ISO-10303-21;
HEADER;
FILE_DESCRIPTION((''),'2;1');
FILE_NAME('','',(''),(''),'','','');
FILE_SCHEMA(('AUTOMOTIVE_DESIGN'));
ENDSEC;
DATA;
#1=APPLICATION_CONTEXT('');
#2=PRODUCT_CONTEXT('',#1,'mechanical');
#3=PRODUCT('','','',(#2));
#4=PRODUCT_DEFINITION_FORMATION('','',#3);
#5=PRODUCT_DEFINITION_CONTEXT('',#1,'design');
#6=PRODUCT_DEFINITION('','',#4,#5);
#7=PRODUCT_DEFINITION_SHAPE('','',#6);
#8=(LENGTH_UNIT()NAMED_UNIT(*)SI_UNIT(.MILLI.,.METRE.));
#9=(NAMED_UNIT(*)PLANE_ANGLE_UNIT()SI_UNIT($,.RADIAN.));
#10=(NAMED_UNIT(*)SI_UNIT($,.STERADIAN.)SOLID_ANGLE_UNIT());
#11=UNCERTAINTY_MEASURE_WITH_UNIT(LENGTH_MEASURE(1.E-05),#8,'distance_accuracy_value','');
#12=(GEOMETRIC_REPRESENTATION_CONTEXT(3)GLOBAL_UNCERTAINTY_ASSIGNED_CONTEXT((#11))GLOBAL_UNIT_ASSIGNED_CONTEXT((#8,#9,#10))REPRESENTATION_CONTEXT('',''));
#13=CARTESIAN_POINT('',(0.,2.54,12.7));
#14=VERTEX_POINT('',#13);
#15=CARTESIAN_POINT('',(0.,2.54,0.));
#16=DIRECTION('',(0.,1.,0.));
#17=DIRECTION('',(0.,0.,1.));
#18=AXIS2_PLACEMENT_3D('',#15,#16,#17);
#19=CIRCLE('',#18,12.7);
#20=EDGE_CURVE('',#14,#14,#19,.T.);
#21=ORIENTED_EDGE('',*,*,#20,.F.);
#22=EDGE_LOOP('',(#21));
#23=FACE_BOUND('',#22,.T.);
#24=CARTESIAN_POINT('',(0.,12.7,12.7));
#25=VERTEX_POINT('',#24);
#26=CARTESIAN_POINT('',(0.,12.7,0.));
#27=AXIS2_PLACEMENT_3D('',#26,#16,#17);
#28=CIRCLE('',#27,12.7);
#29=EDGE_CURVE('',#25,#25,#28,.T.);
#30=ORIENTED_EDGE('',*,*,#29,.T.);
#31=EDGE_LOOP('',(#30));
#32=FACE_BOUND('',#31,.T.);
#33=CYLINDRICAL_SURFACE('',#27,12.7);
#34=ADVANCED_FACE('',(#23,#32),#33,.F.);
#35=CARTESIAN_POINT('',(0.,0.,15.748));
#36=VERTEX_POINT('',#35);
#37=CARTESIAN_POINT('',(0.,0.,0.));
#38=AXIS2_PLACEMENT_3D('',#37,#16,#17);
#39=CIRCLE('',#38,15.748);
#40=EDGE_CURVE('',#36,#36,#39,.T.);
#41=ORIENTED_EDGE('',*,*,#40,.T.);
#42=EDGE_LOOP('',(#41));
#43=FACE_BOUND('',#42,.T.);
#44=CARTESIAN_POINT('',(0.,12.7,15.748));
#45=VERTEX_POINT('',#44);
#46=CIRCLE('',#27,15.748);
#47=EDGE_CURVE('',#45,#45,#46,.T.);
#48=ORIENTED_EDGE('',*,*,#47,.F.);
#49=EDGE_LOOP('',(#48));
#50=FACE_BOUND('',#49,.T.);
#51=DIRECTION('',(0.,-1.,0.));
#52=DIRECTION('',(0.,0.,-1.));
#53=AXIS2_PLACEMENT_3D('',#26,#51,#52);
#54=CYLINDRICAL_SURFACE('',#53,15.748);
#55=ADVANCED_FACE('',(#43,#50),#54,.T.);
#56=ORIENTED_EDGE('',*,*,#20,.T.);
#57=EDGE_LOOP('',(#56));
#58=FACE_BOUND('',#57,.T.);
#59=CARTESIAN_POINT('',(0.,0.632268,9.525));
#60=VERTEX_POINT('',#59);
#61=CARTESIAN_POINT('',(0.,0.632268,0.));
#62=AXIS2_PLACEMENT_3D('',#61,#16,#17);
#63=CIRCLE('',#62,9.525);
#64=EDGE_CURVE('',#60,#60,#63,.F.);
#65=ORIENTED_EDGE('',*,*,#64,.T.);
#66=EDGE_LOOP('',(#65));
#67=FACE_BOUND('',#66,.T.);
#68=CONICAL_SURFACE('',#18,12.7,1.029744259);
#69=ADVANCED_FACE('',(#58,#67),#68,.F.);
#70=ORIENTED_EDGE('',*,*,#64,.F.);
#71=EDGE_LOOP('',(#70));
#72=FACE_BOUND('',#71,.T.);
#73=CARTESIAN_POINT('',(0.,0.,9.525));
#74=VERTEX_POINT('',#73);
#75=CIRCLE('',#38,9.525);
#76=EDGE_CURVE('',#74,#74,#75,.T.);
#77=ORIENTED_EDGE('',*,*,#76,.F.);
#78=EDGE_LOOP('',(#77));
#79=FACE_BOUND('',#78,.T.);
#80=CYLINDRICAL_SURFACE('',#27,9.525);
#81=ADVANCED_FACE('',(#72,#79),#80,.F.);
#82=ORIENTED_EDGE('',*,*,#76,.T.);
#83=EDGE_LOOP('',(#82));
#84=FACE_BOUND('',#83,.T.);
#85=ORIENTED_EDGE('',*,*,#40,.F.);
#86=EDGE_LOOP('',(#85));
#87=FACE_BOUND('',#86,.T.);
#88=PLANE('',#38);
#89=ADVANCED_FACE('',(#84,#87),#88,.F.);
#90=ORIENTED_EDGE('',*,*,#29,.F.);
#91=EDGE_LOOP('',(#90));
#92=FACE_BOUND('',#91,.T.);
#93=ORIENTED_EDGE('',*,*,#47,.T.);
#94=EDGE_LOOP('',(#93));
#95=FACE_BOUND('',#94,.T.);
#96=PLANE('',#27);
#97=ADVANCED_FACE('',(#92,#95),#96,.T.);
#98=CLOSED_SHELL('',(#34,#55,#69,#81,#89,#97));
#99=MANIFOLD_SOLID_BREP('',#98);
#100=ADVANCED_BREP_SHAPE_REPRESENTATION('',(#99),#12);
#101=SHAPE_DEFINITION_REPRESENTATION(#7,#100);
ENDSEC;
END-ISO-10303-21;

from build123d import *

# Parameters (mm, degrees)
SKETCH1_R                   = 15.748
BOSS_EXTRUDE1_DEPTH         = 12.7
F_1_1_DIAMETER_HOLE1_D      = 25.4
F_1_1_DIAMETER_HOLE1_DEPTH  = 10.16
F_1_1_DIAMETER_HOLE1_TIP    = 7.630929862
F_3_4_0_75_DIAMETER_HOLE1_D = 19.05


with BuildPart() as part:
    # Sketch1 → Boss-Extrude1 (new body)
    with BuildSketch(Plane(origin=(0, 0, 0), x_dir=(1, 0, 0), z_dir=(0, 1, 0))):
        Circle(SKETCH1_R)
    extrude(amount=BOSS_EXTRUDE1_DEPTH)

    # 1 (1) Diameter Hole1
    with Locations(Plane.ZX.offset(12.7)):
        with Locations((0, 0)):
            Hole(F_1_1_DIAMETER_HOLE1_D / 2, depth=F_1_1_DIAMETER_HOLE1_DEPTH)
            with Locations((0, 0, -(F_1_1_DIAMETER_HOLE1_DEPTH + F_1_1_DIAMETER_HOLE1_TIP / 2))):  # 118° drill point
                Cone(0, F_1_1_DIAMETER_HOLE1_D / 2, F_1_1_DIAMETER_HOLE1_TIP, mode=Mode.SUBTRACT)

    # 3/4 (0.75) Diameter Hole1 (through all)
    with Locations(Plane.ZX.offset(12.7)):
        with Locations((0, 0)):
            Hole(F_3_4_0_75_DIAMETER_HOLE1_D / 2)


solid = part.part
